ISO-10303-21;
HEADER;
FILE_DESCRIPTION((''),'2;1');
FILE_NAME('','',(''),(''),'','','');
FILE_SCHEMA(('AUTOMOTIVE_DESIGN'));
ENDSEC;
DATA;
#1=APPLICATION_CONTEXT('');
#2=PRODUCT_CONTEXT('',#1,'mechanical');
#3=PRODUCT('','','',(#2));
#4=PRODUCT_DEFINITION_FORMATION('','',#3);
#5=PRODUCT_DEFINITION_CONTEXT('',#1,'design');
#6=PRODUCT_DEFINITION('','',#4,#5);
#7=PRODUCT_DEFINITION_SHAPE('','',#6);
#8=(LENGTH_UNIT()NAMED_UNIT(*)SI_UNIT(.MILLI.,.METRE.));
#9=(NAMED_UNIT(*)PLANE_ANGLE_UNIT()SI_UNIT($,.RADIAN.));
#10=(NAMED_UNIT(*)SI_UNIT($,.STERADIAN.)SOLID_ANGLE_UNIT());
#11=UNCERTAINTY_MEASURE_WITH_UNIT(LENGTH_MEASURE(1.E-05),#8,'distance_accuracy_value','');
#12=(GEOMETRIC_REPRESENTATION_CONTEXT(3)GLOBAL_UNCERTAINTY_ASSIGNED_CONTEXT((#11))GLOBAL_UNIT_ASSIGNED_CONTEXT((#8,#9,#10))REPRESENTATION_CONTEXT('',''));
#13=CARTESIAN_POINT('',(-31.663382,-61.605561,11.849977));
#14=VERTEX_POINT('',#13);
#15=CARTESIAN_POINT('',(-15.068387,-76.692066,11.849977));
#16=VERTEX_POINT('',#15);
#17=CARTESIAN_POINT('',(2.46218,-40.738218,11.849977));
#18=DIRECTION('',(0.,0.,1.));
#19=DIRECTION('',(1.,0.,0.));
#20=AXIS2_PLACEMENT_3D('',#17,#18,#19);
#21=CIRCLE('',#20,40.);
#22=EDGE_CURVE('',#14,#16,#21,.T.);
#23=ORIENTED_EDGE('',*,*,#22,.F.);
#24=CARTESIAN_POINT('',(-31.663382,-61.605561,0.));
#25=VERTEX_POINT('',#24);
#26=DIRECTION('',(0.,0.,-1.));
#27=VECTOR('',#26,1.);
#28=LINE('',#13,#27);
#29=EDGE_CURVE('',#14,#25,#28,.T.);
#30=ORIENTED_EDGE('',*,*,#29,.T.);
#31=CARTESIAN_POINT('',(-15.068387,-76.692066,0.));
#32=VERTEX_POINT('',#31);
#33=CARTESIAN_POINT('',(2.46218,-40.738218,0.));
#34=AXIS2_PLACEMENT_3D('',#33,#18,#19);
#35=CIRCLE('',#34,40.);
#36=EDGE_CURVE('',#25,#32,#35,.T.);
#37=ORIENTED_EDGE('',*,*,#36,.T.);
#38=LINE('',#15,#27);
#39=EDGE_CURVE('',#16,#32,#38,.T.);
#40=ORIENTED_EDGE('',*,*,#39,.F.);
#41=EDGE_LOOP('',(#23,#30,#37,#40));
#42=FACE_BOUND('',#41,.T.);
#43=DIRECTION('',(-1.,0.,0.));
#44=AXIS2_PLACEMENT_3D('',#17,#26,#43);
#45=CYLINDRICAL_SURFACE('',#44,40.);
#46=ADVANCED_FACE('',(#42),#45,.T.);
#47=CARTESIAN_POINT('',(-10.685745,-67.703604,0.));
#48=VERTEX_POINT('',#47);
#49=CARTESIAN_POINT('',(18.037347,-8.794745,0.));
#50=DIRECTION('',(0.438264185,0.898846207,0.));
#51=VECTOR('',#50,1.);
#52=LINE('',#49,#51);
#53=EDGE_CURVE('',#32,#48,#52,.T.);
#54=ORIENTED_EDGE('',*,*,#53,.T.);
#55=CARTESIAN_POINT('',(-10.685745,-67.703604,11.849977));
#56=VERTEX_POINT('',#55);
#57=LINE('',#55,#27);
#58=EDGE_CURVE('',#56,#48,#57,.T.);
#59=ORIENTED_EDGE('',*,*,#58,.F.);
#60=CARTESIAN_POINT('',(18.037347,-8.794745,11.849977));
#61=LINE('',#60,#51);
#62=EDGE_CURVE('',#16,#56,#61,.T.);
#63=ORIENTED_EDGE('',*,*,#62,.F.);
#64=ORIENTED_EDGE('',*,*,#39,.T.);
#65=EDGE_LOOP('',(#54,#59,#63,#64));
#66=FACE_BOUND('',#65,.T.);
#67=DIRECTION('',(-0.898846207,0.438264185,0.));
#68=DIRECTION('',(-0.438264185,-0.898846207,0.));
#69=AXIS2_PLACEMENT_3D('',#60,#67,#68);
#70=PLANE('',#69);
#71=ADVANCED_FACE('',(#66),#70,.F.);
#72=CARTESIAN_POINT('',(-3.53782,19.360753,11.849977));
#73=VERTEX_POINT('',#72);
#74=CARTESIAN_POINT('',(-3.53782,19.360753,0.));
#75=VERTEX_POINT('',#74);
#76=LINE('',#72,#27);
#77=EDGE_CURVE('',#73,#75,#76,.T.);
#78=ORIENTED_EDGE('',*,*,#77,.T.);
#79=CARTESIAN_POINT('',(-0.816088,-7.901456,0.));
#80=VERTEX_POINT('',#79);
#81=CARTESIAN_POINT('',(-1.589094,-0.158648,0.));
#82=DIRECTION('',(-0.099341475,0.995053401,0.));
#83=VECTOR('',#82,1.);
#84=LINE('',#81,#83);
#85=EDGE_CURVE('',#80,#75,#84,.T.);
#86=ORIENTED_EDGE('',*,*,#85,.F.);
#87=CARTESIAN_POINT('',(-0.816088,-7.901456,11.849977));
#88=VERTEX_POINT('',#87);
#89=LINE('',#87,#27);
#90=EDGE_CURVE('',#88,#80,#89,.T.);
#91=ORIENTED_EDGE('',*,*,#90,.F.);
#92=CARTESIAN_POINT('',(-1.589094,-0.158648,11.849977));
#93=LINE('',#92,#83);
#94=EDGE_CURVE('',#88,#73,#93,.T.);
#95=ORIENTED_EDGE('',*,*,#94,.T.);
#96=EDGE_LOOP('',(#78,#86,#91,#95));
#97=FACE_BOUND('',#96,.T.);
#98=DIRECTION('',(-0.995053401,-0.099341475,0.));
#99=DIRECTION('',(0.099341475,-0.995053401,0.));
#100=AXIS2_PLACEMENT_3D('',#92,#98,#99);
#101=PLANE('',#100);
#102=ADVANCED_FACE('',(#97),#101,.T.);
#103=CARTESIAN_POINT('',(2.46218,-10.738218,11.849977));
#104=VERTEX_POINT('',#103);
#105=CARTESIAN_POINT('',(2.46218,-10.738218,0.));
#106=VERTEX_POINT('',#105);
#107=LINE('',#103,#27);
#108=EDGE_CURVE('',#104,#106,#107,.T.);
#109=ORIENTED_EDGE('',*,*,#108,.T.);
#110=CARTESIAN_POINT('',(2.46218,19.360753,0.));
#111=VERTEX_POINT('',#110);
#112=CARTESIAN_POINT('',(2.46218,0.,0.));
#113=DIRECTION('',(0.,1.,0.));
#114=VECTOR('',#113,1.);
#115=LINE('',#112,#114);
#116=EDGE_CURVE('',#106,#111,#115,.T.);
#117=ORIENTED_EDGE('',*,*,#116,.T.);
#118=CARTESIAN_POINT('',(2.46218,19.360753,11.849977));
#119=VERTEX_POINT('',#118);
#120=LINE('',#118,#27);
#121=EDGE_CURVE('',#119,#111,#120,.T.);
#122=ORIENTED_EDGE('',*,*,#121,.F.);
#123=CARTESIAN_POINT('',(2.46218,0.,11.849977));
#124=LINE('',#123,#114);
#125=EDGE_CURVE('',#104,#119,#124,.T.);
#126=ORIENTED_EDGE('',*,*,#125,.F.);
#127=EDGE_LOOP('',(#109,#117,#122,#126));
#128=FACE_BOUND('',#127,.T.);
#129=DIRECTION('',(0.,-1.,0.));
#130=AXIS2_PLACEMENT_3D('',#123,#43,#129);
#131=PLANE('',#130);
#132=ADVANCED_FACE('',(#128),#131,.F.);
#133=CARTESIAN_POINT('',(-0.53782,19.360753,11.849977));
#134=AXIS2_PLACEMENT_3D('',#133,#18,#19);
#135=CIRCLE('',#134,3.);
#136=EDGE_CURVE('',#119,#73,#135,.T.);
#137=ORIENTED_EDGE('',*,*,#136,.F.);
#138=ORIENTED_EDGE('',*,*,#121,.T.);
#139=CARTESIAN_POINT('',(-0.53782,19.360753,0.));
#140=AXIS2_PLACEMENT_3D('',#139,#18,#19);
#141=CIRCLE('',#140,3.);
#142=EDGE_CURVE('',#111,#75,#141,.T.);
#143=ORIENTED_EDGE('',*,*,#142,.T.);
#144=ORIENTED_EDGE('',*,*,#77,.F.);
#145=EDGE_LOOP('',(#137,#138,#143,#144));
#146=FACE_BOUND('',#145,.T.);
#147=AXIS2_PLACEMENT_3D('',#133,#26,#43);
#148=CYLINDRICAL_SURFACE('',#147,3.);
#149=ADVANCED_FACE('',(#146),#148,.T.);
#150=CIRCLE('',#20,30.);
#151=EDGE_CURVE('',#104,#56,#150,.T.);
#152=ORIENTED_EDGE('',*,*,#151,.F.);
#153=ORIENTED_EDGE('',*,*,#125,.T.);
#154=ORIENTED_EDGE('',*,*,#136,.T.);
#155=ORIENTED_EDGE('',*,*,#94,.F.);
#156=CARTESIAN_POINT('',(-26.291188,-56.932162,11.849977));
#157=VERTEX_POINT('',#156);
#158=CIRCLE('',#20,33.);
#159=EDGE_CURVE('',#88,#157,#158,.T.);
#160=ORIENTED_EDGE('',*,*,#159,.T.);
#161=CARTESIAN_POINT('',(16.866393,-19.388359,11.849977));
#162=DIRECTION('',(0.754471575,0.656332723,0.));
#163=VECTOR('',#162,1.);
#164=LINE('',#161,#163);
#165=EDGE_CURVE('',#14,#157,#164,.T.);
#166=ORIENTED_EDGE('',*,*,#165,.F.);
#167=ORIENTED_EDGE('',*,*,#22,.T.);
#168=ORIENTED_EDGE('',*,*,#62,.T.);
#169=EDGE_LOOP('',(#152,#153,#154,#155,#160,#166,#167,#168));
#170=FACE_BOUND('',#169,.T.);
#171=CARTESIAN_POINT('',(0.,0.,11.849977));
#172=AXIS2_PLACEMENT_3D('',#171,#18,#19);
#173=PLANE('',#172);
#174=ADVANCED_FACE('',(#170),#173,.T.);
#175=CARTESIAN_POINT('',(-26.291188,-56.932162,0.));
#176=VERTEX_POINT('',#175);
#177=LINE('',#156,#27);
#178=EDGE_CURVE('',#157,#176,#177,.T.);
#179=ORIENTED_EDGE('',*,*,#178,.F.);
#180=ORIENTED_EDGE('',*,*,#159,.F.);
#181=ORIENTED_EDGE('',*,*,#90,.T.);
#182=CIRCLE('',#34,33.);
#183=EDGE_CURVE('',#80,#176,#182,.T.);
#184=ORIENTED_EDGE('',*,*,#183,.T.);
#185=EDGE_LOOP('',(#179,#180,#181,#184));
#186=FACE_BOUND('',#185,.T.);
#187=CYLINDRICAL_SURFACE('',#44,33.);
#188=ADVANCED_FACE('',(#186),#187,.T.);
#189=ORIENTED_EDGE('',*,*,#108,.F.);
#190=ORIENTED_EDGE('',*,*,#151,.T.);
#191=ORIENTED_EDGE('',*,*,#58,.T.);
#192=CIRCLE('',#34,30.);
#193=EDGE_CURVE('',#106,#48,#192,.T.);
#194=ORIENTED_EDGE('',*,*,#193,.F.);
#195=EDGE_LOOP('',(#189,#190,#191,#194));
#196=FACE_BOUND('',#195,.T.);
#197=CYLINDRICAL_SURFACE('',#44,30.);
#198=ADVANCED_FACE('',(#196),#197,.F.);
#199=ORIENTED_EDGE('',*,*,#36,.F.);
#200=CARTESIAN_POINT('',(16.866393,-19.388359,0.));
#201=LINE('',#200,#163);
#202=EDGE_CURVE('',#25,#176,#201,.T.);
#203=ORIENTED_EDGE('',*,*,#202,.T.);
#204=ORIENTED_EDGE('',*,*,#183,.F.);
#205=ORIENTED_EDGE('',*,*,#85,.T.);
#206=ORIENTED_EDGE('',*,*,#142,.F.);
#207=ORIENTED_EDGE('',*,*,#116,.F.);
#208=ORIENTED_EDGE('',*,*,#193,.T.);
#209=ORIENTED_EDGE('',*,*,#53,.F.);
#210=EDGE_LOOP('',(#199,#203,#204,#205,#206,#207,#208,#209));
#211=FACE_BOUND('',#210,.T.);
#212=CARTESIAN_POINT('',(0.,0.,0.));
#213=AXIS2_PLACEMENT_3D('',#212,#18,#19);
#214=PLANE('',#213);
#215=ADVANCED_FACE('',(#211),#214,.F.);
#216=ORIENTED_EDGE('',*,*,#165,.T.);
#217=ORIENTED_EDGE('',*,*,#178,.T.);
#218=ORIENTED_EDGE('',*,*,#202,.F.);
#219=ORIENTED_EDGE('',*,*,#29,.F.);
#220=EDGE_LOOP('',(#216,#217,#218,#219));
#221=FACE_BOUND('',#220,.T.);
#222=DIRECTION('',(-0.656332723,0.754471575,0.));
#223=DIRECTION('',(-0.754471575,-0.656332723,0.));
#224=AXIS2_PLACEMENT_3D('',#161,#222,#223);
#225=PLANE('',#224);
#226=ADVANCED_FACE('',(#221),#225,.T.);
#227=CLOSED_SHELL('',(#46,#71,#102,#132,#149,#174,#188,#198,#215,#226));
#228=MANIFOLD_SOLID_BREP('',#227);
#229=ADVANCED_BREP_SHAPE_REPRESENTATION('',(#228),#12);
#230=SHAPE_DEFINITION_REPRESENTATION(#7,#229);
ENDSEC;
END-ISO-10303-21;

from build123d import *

# Parameters (mm, degrees)
RESSALTO_EXTRUS_O1_DEPTH = 11.849977


with BuildPart() as part:
    # Esboço1 → Ressalto-extrusão1 (new body)
    with BuildSketch(Plane.XY):
        with BuildLine():
            ThreePointArc((-10.685745363, -67.703603991), (-26.769323244, -33.991425444), (2.462180193, -10.738217779))
            Line((2.462180193, -10.738217779), (2.462180193, -0.672237217))
            Line((2.462180193, -0.672237217), (2.462180193, 19.360753065))
            ThreePointArc((2.462180193, 19.360753065), (-0.537819807, 22.360753065), (-3.537819807, 19.360753065))
            Line((-3.537819807, 19.360753065), (-3.478607435, 18.767652629))
            Line((-3.478607435, 18.767652629), (-0.816088481, -7.901455538))
            ThreePointArc((-0.816088481, -7.901455538), (-26.821074104, -25.523388901), (-26.291187743, -56.932162089))
            Line((-26.291187743, -56.932162089), (-31.663381791, -61.605561148))
            ThreePointArc((-31.663381791, -61.605561148), (-24.444874339, -70.335690922), (-15.068387215, -76.692066062))
            Line((-15.068387215, -76.692066062), (-10.685745363, -67.703603991))
        make_face()
    extrude(amount=RESSALTO_EXTRUS_O1_DEPTH)


solid = part.part
